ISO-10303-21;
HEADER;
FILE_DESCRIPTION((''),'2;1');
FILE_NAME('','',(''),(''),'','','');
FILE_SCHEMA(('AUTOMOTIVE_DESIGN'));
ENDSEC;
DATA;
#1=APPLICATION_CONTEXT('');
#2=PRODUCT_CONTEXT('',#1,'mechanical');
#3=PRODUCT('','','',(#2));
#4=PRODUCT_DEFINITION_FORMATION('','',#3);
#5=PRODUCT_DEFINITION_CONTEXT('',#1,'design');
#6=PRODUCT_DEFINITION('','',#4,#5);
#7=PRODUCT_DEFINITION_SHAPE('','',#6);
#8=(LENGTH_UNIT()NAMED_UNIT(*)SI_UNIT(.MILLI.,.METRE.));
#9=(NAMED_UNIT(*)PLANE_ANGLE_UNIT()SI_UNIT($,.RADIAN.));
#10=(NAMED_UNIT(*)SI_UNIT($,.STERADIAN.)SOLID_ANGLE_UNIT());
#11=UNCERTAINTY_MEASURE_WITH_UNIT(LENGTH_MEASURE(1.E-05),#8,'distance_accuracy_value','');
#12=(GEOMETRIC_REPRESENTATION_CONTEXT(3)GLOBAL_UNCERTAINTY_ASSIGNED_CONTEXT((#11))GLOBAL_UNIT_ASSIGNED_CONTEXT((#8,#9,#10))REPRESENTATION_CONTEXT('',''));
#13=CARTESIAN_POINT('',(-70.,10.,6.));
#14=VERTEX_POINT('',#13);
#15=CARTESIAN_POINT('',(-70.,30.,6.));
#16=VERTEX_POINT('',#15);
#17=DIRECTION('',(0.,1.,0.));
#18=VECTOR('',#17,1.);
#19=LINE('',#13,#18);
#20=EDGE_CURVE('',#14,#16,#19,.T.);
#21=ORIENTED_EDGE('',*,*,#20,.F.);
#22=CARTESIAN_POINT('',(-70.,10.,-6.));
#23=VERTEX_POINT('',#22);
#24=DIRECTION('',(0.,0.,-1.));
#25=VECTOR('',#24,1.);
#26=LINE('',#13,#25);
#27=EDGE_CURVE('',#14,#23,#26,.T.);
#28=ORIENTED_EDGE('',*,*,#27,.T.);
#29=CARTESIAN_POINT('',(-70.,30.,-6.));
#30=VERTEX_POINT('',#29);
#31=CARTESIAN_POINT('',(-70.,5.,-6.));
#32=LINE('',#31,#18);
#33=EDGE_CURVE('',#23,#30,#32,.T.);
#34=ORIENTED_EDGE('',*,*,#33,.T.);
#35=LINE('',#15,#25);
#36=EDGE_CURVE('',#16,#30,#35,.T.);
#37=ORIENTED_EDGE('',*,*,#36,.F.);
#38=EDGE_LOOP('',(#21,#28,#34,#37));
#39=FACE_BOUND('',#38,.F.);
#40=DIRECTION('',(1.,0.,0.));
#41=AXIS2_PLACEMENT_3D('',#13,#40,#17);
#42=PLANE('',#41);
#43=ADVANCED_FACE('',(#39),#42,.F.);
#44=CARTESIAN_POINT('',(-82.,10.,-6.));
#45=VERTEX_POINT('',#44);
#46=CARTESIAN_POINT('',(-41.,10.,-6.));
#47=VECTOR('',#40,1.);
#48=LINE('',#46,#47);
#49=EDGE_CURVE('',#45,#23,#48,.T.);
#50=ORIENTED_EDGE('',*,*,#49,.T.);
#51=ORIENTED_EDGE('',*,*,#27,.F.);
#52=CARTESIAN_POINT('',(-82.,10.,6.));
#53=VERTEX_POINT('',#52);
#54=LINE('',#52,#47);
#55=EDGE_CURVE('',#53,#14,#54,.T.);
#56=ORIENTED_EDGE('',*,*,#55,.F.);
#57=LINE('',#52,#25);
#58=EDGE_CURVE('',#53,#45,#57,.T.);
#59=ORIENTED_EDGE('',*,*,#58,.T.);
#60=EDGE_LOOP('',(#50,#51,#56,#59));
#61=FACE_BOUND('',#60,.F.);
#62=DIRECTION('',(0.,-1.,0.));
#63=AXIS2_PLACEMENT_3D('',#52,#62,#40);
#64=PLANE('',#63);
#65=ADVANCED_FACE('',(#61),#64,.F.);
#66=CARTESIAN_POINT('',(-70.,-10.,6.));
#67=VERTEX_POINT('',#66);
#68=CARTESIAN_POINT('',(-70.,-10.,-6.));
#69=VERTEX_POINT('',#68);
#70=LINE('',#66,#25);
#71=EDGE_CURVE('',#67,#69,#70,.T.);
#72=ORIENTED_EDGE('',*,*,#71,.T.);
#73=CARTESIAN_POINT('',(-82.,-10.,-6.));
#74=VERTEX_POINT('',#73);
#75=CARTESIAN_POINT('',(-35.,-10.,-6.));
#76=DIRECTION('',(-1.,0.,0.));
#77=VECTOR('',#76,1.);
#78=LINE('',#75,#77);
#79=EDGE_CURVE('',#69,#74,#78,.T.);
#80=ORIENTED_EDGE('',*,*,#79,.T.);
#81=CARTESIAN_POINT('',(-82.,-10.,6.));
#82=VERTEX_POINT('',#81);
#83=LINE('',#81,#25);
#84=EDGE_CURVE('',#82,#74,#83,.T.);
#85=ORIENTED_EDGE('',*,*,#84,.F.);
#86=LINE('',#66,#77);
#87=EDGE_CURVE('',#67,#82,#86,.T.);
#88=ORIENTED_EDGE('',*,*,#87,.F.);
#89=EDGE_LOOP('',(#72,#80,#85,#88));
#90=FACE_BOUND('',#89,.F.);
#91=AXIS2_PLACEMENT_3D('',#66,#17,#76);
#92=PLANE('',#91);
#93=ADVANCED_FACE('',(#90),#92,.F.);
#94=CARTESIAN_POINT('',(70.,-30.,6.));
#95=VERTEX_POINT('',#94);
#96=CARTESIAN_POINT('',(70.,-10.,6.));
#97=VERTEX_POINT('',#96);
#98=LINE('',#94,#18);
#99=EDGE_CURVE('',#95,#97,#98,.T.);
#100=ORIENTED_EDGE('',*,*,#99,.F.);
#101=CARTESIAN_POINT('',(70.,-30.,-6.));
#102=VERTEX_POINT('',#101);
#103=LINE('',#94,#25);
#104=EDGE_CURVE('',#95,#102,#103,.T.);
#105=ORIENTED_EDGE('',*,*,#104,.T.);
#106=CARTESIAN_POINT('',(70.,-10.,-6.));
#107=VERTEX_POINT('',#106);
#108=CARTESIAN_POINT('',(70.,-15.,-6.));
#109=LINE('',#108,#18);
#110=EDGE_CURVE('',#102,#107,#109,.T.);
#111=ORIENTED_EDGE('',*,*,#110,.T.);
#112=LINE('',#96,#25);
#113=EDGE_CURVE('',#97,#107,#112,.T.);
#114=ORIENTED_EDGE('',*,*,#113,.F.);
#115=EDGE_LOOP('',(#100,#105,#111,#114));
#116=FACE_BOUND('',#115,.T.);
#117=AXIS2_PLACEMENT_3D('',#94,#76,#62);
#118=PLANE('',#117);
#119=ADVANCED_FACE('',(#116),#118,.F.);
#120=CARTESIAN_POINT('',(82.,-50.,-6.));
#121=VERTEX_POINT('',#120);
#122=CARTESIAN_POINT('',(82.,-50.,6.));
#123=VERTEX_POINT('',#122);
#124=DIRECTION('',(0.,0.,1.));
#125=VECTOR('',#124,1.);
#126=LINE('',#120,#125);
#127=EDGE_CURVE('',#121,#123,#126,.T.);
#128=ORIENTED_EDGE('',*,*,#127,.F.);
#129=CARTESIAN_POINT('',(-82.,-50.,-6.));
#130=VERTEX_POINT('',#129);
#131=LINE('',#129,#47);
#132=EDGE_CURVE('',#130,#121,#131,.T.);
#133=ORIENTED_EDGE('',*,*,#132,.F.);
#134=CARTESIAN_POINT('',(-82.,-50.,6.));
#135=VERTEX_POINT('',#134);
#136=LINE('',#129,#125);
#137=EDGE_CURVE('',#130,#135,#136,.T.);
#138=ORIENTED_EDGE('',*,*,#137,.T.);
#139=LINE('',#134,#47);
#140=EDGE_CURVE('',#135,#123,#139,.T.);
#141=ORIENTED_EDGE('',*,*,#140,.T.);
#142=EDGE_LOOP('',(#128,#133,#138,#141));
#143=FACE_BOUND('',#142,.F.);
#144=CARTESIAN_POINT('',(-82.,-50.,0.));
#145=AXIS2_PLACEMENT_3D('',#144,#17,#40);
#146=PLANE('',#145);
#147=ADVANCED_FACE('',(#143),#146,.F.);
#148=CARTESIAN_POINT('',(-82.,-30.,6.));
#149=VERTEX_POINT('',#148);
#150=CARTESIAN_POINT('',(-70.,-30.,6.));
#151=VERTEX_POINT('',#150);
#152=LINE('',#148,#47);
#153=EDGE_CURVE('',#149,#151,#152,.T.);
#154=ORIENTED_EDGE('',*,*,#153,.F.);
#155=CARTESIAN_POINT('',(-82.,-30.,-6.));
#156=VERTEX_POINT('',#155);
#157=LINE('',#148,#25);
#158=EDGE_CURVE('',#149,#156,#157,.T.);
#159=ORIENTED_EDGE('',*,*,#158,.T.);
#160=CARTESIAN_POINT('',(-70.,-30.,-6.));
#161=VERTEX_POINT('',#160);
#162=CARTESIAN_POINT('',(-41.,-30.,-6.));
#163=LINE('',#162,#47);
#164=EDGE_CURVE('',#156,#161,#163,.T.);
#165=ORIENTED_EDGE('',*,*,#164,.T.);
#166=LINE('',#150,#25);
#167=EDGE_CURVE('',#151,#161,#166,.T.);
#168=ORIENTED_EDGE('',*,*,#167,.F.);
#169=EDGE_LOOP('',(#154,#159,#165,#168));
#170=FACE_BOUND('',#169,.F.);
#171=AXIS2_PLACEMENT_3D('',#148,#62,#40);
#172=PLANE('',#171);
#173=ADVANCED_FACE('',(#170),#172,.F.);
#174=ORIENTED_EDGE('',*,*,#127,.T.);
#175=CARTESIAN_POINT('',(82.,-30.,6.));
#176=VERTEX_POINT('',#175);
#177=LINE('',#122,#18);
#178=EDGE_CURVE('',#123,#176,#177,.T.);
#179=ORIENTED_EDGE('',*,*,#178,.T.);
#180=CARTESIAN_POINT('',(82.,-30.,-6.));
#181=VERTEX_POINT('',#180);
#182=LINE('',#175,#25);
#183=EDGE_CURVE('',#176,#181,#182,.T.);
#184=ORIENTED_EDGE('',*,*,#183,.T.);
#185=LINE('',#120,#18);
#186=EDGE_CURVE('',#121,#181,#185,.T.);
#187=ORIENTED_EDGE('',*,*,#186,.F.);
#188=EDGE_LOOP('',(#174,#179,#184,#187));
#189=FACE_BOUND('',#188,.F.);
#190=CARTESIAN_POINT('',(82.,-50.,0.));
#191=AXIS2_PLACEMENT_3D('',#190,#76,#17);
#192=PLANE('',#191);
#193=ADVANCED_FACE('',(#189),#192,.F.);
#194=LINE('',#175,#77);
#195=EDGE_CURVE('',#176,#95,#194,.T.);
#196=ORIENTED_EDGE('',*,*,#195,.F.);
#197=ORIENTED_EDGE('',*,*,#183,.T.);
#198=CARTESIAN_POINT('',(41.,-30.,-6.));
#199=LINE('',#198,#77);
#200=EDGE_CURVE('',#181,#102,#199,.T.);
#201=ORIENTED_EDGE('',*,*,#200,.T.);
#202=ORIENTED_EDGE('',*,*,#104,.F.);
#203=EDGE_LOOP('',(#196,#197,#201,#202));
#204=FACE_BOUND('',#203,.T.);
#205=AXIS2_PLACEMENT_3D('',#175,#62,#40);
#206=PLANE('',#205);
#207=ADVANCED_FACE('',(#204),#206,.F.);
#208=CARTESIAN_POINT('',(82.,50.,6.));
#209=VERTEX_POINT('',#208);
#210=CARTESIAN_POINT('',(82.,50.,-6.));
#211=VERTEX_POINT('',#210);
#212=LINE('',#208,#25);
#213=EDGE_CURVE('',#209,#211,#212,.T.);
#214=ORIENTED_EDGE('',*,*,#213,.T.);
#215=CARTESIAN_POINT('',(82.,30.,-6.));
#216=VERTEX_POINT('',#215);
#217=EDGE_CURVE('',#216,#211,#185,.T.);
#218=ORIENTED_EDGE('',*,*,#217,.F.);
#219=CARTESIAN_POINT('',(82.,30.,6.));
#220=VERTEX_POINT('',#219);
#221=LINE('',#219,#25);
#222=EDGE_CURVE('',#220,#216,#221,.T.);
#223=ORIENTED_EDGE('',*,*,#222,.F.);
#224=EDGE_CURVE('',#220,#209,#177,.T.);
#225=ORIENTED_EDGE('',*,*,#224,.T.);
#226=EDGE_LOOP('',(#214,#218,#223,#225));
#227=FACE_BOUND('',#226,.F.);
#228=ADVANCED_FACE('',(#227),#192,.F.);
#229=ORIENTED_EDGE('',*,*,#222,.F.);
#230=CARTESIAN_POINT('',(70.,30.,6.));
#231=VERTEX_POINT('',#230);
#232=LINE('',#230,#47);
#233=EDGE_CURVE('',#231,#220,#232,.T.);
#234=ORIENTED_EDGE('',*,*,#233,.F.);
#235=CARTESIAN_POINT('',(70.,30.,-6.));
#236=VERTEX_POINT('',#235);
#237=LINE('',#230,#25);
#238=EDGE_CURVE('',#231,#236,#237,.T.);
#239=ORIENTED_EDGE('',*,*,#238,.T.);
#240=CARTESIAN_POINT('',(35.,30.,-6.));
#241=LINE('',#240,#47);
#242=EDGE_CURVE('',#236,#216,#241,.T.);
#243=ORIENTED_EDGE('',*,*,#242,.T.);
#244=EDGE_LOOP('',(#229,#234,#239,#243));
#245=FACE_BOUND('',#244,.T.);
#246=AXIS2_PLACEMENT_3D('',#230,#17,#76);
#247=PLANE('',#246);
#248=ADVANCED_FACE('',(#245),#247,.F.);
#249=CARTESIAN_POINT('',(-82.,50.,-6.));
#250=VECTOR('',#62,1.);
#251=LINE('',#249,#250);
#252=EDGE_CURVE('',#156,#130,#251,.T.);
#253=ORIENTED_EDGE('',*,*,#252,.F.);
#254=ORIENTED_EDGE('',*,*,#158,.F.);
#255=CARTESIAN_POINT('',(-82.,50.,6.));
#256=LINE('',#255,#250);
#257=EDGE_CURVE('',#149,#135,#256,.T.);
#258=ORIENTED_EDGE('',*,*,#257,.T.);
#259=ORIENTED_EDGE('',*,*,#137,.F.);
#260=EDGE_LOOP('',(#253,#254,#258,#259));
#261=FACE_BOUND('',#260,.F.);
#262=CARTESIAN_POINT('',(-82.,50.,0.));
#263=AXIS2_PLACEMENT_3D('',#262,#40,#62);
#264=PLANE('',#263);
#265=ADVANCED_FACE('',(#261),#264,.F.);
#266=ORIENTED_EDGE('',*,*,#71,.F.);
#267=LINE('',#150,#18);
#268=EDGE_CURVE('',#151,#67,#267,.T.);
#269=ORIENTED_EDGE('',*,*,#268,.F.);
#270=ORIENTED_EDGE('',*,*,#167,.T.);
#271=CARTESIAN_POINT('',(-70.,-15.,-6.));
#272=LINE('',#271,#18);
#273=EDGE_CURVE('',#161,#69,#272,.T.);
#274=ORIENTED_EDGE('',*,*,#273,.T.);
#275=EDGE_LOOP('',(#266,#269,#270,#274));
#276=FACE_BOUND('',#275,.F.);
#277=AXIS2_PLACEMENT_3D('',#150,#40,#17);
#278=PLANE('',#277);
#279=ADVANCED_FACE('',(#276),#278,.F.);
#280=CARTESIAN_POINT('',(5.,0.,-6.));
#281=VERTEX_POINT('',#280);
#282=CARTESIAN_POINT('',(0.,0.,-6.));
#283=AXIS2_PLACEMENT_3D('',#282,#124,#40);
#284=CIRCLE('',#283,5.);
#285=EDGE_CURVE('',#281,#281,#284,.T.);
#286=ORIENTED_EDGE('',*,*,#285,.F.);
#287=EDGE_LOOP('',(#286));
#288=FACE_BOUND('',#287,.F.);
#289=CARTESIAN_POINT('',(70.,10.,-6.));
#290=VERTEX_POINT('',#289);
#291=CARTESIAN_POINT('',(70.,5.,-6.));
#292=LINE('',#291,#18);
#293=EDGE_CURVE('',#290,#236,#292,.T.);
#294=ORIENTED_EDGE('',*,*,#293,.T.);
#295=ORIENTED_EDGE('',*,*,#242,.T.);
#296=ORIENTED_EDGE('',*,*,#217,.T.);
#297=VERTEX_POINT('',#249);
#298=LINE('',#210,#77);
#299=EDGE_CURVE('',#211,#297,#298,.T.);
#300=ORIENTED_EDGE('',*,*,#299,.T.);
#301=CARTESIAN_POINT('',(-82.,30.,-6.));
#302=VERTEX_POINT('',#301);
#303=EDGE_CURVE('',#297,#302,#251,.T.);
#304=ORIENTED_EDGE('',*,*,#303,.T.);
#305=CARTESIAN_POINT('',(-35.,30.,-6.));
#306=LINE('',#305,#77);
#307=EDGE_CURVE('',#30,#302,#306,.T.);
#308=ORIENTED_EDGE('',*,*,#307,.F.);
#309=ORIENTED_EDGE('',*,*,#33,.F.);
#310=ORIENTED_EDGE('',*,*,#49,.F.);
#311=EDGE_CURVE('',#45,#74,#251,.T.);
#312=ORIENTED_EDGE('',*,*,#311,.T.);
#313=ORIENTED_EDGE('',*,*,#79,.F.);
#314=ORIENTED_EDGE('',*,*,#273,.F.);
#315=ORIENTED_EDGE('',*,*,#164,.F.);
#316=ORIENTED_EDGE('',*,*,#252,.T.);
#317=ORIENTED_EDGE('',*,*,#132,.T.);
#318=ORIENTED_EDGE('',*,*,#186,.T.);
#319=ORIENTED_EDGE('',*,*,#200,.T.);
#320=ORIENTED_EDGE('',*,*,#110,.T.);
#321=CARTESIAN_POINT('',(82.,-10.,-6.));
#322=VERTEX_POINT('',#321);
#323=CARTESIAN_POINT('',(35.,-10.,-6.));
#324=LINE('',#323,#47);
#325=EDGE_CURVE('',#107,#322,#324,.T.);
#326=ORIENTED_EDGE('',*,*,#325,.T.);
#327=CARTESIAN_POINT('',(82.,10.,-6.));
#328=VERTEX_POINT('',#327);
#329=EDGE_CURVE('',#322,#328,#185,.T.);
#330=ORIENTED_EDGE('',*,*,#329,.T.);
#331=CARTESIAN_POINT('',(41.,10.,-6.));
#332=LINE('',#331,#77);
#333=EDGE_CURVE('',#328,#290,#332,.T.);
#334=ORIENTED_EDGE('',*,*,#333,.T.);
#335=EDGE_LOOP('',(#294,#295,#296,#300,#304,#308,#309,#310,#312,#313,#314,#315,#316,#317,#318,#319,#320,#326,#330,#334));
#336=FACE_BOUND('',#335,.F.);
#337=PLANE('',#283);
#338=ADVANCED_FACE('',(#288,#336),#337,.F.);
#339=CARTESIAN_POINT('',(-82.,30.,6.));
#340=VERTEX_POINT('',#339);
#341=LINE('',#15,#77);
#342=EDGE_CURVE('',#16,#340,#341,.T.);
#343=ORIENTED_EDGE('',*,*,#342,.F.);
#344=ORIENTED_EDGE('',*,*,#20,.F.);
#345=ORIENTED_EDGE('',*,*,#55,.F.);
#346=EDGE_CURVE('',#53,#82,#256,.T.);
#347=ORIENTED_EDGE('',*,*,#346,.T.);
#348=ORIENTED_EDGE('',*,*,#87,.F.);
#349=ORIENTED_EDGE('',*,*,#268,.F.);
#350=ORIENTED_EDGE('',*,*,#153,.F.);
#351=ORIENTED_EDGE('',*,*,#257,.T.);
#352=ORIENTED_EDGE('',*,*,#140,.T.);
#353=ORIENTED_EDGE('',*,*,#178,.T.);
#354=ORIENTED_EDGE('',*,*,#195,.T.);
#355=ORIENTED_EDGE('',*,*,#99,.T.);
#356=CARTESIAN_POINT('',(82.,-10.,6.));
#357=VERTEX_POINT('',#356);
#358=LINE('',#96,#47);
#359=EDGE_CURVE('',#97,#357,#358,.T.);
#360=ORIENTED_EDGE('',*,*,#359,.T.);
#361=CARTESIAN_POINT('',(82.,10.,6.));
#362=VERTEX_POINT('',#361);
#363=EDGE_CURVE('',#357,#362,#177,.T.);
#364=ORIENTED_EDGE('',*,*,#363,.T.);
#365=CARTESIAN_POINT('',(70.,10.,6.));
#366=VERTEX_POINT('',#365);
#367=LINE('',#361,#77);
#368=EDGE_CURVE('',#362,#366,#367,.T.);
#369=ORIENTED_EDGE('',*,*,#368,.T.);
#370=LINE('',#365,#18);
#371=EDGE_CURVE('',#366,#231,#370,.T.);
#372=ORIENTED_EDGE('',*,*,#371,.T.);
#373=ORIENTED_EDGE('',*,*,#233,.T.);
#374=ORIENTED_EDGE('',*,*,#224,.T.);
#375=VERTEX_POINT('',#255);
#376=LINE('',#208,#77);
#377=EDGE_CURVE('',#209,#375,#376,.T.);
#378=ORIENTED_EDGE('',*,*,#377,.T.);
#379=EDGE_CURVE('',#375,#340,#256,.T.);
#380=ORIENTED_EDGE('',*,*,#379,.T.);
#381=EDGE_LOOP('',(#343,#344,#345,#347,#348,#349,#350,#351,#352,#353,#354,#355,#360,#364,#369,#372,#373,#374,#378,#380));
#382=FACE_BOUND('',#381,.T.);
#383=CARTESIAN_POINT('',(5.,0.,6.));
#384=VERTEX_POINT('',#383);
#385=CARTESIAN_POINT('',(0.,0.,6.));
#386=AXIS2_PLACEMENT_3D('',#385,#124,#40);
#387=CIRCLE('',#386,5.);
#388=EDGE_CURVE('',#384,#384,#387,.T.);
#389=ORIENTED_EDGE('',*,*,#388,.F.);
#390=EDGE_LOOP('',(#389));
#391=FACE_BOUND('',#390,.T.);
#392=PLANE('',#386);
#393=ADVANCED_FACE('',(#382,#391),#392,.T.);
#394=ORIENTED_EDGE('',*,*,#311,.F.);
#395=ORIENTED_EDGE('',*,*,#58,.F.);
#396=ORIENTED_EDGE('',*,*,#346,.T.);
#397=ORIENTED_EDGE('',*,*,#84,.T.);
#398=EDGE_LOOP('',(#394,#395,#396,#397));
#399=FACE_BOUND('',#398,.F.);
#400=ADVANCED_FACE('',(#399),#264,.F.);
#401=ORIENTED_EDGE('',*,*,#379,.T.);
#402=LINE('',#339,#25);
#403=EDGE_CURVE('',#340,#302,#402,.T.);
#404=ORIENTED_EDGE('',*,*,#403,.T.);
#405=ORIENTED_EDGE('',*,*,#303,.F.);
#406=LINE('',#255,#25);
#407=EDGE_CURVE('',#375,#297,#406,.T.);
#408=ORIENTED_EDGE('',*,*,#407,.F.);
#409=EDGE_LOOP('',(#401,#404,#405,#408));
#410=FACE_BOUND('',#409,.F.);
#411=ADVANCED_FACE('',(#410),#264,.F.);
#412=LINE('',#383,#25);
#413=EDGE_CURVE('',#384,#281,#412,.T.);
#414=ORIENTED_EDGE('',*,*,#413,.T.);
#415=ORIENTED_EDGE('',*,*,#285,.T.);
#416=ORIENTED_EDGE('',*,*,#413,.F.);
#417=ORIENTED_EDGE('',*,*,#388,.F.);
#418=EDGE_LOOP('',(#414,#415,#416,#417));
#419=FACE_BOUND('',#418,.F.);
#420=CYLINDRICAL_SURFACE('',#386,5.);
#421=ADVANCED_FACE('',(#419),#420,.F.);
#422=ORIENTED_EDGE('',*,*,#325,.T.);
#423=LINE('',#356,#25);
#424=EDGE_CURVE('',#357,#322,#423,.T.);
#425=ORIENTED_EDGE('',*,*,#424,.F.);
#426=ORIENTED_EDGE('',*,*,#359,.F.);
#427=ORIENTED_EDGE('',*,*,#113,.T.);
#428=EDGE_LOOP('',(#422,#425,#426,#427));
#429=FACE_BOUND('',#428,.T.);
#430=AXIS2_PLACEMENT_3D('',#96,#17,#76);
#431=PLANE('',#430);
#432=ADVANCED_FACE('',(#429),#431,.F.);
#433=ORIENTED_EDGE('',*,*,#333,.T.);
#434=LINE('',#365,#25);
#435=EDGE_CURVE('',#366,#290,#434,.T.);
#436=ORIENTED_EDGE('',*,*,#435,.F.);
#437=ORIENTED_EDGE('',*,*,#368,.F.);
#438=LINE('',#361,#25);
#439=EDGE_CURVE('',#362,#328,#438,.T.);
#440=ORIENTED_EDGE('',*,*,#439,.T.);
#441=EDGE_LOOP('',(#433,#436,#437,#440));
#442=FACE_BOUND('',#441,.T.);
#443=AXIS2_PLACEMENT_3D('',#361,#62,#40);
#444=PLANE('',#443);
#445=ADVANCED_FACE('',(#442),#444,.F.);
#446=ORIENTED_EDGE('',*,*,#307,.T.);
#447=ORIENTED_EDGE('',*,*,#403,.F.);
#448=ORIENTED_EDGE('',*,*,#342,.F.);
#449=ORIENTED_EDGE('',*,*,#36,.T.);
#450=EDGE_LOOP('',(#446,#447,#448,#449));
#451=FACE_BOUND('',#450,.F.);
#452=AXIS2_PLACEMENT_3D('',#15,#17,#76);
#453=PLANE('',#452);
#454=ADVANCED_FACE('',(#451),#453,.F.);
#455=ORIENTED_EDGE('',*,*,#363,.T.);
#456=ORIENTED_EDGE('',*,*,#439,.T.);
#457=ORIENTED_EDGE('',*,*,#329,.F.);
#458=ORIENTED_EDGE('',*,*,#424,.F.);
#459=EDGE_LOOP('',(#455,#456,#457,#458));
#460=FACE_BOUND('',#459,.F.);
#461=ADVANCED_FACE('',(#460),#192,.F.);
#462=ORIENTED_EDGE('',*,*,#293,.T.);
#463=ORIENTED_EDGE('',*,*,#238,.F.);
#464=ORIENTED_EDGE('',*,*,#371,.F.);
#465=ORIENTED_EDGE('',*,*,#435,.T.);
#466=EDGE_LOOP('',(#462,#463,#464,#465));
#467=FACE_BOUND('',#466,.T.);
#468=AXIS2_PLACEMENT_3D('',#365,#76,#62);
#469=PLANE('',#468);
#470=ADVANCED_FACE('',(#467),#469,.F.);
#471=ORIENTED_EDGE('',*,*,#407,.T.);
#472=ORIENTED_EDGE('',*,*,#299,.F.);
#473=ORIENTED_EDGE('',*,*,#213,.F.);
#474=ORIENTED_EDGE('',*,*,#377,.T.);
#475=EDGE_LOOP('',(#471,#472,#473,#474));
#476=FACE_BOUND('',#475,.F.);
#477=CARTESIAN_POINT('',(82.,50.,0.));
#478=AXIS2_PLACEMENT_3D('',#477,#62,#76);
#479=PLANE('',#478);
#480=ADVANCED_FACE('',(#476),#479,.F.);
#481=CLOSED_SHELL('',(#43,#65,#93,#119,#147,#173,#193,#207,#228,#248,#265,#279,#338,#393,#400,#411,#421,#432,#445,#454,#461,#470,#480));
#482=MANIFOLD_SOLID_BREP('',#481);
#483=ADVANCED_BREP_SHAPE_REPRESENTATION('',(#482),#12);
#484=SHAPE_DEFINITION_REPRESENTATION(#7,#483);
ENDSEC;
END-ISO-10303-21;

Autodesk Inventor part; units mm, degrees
ref_plane "YZ Plane" through (0, 0, 0) normal (1, 0, 0) x (0, 1, 0)
ref_plane "XZ Plane" through (0, 0, 0) normal (0, 1, 0) x (-1, 0, 0)
ref_plane "XY Plane" through (0, 0, 0) normal (0, 0, 1) x (1, 0, 0)
sketch "Sketch1" plane through (0, 0, 0) normal (0, 0, 1) x (1, 0, 0)
  line L0 (-82, -50) -> (82, -50)
  line L1 (82, -50) -> (82, 50)
  line L2 (82, 50) -> (-82, 50)
  line L3 (-82, 50) -> (-82, -50)
  line L4 (-82, -50) -> (82, 50) construction
  line L5 (82, -50) -> (-82, 50) construction
  point P0 (0, 0)
  dimension "d0" = 164
  dimension "d1" = 100
extrude "Extrusion1" add sketch "Sketch1" along normal mid plane 12
sketch "Sketch2" plane through (0, 0, 6) normal (0, 0, 1) x (1, 0, 0)
  line L0 (-82, 50) -> (-82, -50) projected
  line L1 (-82, -30) -> (-70, -30)
  line L2 (-70, -30) -> (-70, -10)
  line L3 (-70, -10) -> (-82, -10)
  line L4 (-82, -10) -> (-82, -30)
  line L5 (-82, -50) -> (82, -50) projected
  line L6 (-82, 10) -> (-70, 10)
  line L7 (-70, 10) -> (-70, 30)
  line L8 (-70, 30) -> (-82, 30)
  line L9 (-82, 30) -> (-82, 10)
  point P0 (0, 0)
  dimension "d4" = 12
  dimension "d5" = 20
  dimension "d6" = 20
  dimension "d7" = 20
  dimension "d8" = 20
extrude "Extrusion2" cut sketch "Sketch2" against normal through all
mirror "Mirror1" about plane through (0, 0, 0) normal (1, 0, 0) of "Extrusion2"
sketch "Sketch5" plane through (0, 0, 6) normal (0, 0, 1) x (1, 0, 0)
  circle A0 centre (0, 0) radius 5
  dimension "d17" = 10
extrude "Extrusion4" cut sketch "Sketch5" against normal through all
properties part number "FRONT V2" material "Wood (Cherry)"
